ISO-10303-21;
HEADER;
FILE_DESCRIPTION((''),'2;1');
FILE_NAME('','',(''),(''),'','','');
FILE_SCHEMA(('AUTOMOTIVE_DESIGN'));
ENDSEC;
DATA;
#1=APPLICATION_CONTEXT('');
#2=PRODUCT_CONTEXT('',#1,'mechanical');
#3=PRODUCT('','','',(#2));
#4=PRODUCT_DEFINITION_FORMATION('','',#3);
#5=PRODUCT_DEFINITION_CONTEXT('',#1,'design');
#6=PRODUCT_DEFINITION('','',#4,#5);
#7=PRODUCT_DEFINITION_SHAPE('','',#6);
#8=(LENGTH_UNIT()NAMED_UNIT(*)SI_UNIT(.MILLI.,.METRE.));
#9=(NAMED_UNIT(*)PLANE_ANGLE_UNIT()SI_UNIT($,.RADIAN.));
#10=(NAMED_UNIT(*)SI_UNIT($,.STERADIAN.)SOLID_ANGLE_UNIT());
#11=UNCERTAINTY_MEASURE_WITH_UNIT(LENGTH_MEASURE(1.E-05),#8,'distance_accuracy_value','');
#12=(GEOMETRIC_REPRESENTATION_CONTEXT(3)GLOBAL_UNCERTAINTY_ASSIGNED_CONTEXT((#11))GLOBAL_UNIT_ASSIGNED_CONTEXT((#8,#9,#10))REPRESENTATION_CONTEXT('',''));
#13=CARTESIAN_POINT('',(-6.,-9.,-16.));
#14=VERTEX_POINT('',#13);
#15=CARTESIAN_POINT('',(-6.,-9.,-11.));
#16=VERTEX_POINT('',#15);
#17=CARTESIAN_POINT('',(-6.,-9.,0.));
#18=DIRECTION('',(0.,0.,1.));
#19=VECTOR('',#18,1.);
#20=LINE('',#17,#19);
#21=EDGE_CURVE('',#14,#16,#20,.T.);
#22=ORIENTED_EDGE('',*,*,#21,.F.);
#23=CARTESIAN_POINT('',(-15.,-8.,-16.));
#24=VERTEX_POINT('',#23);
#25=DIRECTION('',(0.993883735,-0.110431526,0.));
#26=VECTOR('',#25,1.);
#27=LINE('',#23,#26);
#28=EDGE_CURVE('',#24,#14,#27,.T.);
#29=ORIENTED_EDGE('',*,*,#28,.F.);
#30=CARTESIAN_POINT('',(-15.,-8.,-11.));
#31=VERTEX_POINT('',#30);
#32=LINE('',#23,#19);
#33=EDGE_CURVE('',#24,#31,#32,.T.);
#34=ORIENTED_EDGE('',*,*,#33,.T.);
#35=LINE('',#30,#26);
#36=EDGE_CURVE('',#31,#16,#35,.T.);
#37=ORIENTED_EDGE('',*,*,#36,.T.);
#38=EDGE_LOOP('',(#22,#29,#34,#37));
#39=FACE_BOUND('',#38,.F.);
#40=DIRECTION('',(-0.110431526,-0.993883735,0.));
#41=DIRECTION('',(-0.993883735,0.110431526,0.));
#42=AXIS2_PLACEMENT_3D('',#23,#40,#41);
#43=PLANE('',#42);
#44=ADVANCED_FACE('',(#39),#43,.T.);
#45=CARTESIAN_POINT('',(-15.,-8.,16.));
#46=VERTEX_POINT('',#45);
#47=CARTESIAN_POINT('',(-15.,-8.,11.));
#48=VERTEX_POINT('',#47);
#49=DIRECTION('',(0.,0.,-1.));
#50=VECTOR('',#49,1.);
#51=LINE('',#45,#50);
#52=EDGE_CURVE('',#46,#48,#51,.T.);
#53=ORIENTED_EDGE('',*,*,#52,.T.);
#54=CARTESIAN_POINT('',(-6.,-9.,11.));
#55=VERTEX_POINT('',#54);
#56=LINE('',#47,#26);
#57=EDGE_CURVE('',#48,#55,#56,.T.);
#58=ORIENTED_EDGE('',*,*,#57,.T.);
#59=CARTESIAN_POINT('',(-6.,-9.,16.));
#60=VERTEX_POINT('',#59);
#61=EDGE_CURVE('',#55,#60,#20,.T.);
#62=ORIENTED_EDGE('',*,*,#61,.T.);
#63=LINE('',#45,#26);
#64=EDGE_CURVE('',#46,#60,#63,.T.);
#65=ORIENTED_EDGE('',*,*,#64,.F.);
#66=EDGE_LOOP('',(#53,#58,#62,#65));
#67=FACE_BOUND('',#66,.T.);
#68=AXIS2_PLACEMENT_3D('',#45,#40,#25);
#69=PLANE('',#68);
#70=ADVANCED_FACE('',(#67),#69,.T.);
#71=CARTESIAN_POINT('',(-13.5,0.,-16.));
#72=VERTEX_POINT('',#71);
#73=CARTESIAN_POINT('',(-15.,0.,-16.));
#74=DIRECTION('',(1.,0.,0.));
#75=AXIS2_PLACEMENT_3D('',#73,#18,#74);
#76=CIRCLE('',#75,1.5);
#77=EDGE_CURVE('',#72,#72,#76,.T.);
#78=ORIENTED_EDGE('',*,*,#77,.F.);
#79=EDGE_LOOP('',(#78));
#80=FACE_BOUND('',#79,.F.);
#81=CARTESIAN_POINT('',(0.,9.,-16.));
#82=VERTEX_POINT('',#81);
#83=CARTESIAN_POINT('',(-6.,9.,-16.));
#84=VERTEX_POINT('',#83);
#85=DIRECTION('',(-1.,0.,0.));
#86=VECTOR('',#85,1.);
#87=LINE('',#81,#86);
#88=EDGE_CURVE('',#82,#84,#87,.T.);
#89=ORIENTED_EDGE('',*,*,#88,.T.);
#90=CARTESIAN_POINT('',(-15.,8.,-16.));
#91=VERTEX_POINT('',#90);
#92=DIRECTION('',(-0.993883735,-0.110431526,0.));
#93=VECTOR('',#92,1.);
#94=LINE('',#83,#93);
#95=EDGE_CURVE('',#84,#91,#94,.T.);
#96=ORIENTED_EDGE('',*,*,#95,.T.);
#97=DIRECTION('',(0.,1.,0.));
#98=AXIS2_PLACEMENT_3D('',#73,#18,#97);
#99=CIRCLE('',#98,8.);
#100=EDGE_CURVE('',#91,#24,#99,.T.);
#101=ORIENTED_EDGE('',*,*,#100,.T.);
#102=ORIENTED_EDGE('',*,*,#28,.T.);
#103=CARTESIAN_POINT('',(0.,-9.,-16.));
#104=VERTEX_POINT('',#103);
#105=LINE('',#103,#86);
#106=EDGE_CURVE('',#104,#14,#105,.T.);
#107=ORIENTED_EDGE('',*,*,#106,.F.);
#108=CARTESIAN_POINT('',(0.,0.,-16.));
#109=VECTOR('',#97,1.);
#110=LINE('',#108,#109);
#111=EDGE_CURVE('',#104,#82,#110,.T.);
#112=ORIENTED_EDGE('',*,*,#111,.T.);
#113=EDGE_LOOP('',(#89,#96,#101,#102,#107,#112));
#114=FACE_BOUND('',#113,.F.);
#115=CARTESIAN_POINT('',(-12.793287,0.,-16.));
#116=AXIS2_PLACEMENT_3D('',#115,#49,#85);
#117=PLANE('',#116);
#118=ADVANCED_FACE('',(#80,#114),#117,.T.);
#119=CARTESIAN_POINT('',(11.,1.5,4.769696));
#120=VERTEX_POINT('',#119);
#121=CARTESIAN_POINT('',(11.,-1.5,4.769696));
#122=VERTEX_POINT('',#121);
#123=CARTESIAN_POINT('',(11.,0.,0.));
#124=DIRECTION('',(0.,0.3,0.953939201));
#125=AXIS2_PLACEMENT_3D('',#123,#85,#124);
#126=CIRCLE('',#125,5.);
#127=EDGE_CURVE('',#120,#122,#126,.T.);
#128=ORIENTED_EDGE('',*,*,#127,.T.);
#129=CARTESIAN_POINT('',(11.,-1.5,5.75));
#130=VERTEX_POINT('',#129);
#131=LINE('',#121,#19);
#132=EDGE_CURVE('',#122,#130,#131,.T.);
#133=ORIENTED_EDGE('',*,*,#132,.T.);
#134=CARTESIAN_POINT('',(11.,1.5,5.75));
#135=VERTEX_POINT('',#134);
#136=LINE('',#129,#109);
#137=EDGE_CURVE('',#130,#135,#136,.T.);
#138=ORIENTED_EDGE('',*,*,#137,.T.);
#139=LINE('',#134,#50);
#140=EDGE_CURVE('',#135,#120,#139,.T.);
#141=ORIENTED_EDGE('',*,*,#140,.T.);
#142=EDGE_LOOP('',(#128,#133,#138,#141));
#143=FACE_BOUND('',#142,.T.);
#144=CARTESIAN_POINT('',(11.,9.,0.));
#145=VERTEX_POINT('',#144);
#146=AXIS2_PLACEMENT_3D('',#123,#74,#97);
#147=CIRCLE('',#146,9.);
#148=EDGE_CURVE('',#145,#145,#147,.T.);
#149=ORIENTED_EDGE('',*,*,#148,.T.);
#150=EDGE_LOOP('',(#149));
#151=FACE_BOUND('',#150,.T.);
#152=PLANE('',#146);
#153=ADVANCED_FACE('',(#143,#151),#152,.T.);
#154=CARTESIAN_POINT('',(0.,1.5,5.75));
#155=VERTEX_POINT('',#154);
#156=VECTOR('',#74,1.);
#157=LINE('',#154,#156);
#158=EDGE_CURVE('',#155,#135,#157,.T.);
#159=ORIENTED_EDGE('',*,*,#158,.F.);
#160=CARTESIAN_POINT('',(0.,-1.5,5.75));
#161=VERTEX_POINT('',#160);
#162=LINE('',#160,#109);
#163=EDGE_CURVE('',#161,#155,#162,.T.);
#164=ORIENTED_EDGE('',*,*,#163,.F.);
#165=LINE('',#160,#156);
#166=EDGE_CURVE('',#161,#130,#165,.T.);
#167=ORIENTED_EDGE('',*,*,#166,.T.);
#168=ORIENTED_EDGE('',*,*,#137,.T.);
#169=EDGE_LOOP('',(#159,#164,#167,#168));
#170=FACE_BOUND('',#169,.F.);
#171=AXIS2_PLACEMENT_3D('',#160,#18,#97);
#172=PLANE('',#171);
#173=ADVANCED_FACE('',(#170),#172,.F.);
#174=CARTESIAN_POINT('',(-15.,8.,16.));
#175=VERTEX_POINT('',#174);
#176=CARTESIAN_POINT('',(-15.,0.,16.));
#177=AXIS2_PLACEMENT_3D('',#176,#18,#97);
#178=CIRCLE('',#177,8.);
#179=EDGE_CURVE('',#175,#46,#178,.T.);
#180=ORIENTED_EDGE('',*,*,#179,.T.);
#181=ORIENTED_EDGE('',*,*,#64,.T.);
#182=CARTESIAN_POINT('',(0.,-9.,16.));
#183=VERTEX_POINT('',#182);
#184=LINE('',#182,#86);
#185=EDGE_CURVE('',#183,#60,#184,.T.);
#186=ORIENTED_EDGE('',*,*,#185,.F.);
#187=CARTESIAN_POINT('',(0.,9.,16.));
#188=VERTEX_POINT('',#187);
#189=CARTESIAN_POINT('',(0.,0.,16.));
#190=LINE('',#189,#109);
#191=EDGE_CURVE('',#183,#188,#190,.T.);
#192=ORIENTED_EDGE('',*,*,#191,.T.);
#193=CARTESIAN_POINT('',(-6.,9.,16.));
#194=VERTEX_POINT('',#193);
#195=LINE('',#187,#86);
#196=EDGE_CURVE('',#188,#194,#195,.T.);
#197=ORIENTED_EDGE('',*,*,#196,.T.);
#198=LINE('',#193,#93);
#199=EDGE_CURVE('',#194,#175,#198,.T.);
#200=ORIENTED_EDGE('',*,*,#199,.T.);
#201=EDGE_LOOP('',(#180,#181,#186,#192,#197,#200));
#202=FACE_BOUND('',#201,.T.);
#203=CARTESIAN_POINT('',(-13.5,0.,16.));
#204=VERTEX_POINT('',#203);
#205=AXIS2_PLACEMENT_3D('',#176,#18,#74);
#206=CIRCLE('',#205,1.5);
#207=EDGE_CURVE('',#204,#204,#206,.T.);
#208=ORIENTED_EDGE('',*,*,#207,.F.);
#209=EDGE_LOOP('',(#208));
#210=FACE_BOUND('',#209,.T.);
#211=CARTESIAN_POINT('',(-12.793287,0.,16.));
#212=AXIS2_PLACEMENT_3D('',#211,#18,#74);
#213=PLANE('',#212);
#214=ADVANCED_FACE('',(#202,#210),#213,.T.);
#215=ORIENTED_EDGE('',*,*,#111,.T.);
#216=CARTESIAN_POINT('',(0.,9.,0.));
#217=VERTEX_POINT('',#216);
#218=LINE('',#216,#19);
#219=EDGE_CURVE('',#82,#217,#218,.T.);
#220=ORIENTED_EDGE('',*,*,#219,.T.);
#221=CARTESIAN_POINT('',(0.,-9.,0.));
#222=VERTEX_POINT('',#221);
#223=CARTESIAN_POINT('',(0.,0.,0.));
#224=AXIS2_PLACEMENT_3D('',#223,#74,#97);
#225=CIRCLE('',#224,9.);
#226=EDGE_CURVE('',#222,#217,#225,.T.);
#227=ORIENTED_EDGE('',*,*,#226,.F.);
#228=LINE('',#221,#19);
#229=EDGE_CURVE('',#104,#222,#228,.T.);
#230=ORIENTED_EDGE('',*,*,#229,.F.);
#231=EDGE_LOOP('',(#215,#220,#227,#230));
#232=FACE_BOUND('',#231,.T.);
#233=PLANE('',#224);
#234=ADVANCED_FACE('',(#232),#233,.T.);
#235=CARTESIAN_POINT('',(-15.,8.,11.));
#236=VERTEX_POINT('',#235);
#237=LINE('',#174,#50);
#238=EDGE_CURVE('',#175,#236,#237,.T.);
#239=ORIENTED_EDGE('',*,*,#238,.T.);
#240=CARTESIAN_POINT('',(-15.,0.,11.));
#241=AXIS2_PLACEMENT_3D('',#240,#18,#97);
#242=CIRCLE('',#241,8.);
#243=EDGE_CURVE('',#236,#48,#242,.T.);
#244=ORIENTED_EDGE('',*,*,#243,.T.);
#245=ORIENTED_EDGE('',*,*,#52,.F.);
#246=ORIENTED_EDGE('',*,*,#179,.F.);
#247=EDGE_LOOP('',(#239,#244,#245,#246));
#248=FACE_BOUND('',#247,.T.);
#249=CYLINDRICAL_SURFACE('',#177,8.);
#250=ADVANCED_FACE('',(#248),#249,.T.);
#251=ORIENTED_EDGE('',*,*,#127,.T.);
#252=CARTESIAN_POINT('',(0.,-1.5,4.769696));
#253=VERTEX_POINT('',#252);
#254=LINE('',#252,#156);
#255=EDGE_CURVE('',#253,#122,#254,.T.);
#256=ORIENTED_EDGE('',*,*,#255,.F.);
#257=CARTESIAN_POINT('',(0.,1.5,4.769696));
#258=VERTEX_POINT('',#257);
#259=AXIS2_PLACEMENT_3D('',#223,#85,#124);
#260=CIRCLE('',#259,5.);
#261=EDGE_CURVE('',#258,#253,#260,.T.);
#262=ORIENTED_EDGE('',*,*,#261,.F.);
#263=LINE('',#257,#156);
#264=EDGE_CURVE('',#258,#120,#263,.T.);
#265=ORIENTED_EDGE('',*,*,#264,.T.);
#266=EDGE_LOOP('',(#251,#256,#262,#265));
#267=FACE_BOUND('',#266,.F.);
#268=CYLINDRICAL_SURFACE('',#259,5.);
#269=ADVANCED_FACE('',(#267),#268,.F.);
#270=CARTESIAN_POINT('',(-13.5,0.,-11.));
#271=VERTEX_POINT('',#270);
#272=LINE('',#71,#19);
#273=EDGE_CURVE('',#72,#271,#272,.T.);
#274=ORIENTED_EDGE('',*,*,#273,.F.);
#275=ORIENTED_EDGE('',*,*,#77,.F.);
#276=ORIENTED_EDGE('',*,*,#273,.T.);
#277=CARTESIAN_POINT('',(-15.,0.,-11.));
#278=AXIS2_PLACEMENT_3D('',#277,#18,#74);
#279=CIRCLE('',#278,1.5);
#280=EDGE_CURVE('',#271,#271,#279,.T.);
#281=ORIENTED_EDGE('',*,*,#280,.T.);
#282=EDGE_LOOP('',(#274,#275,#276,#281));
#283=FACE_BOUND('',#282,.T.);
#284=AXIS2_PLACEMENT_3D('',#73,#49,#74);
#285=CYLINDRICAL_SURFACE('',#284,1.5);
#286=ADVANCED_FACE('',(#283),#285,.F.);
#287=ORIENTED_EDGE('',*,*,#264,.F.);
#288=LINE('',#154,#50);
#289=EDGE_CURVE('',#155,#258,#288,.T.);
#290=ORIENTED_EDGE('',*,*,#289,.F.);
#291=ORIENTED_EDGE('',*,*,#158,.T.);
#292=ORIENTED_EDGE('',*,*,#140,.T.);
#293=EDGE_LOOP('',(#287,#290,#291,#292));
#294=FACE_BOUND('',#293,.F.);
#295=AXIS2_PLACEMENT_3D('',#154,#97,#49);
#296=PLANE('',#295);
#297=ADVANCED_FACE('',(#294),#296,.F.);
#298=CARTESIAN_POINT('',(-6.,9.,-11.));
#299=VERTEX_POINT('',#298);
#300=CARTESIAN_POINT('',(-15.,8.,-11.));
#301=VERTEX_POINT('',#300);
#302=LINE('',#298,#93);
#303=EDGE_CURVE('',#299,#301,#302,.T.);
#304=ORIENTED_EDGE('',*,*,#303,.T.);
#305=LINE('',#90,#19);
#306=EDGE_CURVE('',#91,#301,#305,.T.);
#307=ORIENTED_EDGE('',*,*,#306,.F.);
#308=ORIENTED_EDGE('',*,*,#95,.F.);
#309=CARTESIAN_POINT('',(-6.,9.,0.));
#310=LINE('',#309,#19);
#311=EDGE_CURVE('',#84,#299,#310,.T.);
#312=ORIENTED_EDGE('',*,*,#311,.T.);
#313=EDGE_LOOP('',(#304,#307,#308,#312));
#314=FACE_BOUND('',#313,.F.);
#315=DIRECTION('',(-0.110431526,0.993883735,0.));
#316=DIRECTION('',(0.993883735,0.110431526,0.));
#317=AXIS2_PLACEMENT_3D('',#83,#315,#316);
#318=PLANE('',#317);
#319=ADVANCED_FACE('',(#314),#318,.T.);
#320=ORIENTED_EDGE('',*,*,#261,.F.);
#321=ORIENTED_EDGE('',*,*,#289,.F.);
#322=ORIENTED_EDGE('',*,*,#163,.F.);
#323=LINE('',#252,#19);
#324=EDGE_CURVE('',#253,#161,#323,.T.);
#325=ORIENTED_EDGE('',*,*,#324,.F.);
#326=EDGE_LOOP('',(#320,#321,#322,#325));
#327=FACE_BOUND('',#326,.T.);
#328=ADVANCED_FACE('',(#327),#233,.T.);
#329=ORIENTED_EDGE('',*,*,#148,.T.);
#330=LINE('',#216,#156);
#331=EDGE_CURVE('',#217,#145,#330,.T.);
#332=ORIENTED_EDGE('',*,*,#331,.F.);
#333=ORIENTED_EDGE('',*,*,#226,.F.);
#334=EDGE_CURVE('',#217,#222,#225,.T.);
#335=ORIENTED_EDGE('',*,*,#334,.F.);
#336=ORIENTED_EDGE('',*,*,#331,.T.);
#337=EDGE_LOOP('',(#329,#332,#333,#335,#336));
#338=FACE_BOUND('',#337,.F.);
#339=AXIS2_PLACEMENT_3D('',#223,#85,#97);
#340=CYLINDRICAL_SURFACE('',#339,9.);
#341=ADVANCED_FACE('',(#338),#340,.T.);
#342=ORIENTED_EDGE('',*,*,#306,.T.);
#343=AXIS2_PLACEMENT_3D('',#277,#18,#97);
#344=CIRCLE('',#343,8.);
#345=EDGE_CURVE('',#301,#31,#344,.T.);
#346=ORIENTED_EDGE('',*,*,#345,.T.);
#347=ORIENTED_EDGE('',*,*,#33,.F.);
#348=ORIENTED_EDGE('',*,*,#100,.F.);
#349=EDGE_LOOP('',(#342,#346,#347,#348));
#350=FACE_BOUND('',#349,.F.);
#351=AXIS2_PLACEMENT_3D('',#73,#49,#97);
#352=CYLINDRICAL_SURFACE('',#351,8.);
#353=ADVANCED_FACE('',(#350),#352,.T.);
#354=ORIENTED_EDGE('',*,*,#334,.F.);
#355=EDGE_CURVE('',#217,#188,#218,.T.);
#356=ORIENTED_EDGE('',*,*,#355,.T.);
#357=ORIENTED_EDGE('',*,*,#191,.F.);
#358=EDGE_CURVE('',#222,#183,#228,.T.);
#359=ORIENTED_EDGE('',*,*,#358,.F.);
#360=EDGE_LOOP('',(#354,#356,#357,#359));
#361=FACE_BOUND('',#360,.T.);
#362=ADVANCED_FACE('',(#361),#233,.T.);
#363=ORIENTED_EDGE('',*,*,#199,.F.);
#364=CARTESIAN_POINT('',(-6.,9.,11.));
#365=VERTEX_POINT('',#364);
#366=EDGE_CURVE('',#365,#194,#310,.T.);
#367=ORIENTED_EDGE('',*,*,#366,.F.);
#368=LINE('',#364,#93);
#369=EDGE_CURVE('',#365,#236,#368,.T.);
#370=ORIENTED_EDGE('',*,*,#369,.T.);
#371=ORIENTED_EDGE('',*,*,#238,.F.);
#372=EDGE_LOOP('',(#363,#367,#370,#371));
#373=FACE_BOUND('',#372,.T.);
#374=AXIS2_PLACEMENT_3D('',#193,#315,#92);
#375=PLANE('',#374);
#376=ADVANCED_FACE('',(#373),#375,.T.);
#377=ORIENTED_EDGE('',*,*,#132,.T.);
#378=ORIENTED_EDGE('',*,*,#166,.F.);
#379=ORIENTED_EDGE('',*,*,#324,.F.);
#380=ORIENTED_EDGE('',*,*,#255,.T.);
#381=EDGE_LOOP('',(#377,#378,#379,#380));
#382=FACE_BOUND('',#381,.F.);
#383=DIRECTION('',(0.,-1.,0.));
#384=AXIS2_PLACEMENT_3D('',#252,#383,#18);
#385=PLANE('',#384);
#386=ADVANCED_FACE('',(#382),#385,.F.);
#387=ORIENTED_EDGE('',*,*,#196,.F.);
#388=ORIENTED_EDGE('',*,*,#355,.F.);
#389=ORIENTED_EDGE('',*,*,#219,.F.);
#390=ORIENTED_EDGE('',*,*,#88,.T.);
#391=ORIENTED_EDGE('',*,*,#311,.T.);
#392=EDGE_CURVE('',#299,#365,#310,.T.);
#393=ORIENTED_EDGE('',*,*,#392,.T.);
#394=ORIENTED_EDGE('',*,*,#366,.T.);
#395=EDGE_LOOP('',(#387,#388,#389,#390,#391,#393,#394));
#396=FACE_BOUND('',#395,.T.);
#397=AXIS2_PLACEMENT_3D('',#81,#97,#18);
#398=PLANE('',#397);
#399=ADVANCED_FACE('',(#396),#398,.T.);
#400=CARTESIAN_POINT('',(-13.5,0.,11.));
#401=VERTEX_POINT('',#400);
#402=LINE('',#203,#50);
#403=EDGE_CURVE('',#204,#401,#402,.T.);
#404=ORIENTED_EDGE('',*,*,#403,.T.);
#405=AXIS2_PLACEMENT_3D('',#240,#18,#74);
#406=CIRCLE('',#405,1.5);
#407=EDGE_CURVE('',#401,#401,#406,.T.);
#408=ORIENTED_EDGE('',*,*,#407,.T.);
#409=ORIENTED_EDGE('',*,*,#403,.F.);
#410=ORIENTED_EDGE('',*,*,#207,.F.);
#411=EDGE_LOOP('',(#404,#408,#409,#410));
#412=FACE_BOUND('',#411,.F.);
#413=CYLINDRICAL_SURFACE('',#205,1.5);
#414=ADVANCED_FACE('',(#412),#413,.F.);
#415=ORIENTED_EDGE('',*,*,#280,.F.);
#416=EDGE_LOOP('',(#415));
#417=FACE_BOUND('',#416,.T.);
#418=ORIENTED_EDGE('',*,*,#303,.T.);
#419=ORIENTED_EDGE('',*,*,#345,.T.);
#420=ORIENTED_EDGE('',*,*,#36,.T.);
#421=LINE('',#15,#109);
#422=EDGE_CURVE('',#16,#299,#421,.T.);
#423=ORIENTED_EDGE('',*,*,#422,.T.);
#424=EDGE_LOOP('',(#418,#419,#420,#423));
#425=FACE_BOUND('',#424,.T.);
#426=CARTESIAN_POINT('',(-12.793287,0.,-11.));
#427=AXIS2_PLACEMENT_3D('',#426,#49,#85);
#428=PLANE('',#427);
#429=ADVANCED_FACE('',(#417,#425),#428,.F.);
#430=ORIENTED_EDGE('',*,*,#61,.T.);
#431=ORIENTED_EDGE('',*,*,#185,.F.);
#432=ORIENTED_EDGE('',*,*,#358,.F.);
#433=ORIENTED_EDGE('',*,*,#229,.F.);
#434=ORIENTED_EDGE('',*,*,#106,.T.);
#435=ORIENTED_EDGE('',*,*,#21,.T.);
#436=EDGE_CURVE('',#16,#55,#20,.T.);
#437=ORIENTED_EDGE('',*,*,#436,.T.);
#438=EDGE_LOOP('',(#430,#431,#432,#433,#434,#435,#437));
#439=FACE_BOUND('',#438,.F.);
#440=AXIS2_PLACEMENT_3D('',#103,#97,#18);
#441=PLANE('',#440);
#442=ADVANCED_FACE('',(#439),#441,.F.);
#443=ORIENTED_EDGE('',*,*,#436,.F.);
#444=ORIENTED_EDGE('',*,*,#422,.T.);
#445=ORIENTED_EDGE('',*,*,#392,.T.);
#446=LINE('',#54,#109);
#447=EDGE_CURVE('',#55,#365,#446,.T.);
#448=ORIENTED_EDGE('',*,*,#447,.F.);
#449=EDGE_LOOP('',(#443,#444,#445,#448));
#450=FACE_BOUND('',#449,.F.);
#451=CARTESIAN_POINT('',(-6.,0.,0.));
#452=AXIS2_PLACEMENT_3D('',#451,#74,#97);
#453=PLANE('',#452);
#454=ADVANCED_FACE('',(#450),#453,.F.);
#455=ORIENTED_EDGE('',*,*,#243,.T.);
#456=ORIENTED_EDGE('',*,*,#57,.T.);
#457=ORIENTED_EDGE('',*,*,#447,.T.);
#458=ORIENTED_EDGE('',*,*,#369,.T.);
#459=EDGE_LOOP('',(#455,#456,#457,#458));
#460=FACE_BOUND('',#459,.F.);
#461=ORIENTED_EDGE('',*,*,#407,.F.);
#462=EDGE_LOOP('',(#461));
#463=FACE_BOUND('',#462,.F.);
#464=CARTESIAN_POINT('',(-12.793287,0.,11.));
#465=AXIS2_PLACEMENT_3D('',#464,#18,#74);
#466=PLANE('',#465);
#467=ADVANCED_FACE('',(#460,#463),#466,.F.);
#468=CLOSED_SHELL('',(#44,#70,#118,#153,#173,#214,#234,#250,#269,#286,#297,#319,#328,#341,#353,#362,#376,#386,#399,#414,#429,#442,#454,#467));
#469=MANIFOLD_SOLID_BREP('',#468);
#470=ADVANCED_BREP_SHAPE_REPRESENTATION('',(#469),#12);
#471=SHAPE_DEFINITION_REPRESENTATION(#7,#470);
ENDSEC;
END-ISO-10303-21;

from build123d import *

# Parameters (mm, degrees)
F0_W     = 18
F0_H     = 32
F1_DEPTH = 6
F2_R     = 1.5
F3_DEPTH = 5
F5_R     = 9
F6_DEPTH = 11


with BuildPart() as f1:
    # F0 (on Right) → F1 (new body)
    with BuildSketch(Plane.YZ):
        Rectangle(F0_W, F0_H)
    extrude(amount=-F1_DEPTH)

    # F2 (on face) → F3 (join)
    with BuildSketch(Plane.XY.offset(16)):
        with BuildLine():
            Line((-6, 9), (-15, 8))
            ThreePointArc((-15, 8), (-23, 0), (-15, -8))
            Line((-15, -8), (-6, -9))
            Line((-6, -9), (-6, 9))
        make_face()
        with Locations((-15, 0)):
            Circle(F2_R, mode=Mode.SUBTRACT)
    extrude(amount=-F3_DEPTH)

    # F4: F1 across plane


with BuildPart() as f1_1:
    add(f1.part)
    add(f1.part.mirror(Plane.XY))

    # F5 (on face) → F6 (join)
    with BuildSketch(Plane.YZ):
        Circle(F5_R)
        with BuildLine():
            ThreePointArc((1.5, 4.769696), (0, -5), (-1.5, 4.769696))
            Line((-1.5, 4.769696), (-1.5, 5.75))
            Line((-1.5, 5.75), (1.5, 5.75))
            Line((1.5, 5.75), (1.5, 4.769696))
        make_face(mode=Mode.SUBTRACT)
    extrude(amount=F6_DEPTH)


solid = f1_1.part
